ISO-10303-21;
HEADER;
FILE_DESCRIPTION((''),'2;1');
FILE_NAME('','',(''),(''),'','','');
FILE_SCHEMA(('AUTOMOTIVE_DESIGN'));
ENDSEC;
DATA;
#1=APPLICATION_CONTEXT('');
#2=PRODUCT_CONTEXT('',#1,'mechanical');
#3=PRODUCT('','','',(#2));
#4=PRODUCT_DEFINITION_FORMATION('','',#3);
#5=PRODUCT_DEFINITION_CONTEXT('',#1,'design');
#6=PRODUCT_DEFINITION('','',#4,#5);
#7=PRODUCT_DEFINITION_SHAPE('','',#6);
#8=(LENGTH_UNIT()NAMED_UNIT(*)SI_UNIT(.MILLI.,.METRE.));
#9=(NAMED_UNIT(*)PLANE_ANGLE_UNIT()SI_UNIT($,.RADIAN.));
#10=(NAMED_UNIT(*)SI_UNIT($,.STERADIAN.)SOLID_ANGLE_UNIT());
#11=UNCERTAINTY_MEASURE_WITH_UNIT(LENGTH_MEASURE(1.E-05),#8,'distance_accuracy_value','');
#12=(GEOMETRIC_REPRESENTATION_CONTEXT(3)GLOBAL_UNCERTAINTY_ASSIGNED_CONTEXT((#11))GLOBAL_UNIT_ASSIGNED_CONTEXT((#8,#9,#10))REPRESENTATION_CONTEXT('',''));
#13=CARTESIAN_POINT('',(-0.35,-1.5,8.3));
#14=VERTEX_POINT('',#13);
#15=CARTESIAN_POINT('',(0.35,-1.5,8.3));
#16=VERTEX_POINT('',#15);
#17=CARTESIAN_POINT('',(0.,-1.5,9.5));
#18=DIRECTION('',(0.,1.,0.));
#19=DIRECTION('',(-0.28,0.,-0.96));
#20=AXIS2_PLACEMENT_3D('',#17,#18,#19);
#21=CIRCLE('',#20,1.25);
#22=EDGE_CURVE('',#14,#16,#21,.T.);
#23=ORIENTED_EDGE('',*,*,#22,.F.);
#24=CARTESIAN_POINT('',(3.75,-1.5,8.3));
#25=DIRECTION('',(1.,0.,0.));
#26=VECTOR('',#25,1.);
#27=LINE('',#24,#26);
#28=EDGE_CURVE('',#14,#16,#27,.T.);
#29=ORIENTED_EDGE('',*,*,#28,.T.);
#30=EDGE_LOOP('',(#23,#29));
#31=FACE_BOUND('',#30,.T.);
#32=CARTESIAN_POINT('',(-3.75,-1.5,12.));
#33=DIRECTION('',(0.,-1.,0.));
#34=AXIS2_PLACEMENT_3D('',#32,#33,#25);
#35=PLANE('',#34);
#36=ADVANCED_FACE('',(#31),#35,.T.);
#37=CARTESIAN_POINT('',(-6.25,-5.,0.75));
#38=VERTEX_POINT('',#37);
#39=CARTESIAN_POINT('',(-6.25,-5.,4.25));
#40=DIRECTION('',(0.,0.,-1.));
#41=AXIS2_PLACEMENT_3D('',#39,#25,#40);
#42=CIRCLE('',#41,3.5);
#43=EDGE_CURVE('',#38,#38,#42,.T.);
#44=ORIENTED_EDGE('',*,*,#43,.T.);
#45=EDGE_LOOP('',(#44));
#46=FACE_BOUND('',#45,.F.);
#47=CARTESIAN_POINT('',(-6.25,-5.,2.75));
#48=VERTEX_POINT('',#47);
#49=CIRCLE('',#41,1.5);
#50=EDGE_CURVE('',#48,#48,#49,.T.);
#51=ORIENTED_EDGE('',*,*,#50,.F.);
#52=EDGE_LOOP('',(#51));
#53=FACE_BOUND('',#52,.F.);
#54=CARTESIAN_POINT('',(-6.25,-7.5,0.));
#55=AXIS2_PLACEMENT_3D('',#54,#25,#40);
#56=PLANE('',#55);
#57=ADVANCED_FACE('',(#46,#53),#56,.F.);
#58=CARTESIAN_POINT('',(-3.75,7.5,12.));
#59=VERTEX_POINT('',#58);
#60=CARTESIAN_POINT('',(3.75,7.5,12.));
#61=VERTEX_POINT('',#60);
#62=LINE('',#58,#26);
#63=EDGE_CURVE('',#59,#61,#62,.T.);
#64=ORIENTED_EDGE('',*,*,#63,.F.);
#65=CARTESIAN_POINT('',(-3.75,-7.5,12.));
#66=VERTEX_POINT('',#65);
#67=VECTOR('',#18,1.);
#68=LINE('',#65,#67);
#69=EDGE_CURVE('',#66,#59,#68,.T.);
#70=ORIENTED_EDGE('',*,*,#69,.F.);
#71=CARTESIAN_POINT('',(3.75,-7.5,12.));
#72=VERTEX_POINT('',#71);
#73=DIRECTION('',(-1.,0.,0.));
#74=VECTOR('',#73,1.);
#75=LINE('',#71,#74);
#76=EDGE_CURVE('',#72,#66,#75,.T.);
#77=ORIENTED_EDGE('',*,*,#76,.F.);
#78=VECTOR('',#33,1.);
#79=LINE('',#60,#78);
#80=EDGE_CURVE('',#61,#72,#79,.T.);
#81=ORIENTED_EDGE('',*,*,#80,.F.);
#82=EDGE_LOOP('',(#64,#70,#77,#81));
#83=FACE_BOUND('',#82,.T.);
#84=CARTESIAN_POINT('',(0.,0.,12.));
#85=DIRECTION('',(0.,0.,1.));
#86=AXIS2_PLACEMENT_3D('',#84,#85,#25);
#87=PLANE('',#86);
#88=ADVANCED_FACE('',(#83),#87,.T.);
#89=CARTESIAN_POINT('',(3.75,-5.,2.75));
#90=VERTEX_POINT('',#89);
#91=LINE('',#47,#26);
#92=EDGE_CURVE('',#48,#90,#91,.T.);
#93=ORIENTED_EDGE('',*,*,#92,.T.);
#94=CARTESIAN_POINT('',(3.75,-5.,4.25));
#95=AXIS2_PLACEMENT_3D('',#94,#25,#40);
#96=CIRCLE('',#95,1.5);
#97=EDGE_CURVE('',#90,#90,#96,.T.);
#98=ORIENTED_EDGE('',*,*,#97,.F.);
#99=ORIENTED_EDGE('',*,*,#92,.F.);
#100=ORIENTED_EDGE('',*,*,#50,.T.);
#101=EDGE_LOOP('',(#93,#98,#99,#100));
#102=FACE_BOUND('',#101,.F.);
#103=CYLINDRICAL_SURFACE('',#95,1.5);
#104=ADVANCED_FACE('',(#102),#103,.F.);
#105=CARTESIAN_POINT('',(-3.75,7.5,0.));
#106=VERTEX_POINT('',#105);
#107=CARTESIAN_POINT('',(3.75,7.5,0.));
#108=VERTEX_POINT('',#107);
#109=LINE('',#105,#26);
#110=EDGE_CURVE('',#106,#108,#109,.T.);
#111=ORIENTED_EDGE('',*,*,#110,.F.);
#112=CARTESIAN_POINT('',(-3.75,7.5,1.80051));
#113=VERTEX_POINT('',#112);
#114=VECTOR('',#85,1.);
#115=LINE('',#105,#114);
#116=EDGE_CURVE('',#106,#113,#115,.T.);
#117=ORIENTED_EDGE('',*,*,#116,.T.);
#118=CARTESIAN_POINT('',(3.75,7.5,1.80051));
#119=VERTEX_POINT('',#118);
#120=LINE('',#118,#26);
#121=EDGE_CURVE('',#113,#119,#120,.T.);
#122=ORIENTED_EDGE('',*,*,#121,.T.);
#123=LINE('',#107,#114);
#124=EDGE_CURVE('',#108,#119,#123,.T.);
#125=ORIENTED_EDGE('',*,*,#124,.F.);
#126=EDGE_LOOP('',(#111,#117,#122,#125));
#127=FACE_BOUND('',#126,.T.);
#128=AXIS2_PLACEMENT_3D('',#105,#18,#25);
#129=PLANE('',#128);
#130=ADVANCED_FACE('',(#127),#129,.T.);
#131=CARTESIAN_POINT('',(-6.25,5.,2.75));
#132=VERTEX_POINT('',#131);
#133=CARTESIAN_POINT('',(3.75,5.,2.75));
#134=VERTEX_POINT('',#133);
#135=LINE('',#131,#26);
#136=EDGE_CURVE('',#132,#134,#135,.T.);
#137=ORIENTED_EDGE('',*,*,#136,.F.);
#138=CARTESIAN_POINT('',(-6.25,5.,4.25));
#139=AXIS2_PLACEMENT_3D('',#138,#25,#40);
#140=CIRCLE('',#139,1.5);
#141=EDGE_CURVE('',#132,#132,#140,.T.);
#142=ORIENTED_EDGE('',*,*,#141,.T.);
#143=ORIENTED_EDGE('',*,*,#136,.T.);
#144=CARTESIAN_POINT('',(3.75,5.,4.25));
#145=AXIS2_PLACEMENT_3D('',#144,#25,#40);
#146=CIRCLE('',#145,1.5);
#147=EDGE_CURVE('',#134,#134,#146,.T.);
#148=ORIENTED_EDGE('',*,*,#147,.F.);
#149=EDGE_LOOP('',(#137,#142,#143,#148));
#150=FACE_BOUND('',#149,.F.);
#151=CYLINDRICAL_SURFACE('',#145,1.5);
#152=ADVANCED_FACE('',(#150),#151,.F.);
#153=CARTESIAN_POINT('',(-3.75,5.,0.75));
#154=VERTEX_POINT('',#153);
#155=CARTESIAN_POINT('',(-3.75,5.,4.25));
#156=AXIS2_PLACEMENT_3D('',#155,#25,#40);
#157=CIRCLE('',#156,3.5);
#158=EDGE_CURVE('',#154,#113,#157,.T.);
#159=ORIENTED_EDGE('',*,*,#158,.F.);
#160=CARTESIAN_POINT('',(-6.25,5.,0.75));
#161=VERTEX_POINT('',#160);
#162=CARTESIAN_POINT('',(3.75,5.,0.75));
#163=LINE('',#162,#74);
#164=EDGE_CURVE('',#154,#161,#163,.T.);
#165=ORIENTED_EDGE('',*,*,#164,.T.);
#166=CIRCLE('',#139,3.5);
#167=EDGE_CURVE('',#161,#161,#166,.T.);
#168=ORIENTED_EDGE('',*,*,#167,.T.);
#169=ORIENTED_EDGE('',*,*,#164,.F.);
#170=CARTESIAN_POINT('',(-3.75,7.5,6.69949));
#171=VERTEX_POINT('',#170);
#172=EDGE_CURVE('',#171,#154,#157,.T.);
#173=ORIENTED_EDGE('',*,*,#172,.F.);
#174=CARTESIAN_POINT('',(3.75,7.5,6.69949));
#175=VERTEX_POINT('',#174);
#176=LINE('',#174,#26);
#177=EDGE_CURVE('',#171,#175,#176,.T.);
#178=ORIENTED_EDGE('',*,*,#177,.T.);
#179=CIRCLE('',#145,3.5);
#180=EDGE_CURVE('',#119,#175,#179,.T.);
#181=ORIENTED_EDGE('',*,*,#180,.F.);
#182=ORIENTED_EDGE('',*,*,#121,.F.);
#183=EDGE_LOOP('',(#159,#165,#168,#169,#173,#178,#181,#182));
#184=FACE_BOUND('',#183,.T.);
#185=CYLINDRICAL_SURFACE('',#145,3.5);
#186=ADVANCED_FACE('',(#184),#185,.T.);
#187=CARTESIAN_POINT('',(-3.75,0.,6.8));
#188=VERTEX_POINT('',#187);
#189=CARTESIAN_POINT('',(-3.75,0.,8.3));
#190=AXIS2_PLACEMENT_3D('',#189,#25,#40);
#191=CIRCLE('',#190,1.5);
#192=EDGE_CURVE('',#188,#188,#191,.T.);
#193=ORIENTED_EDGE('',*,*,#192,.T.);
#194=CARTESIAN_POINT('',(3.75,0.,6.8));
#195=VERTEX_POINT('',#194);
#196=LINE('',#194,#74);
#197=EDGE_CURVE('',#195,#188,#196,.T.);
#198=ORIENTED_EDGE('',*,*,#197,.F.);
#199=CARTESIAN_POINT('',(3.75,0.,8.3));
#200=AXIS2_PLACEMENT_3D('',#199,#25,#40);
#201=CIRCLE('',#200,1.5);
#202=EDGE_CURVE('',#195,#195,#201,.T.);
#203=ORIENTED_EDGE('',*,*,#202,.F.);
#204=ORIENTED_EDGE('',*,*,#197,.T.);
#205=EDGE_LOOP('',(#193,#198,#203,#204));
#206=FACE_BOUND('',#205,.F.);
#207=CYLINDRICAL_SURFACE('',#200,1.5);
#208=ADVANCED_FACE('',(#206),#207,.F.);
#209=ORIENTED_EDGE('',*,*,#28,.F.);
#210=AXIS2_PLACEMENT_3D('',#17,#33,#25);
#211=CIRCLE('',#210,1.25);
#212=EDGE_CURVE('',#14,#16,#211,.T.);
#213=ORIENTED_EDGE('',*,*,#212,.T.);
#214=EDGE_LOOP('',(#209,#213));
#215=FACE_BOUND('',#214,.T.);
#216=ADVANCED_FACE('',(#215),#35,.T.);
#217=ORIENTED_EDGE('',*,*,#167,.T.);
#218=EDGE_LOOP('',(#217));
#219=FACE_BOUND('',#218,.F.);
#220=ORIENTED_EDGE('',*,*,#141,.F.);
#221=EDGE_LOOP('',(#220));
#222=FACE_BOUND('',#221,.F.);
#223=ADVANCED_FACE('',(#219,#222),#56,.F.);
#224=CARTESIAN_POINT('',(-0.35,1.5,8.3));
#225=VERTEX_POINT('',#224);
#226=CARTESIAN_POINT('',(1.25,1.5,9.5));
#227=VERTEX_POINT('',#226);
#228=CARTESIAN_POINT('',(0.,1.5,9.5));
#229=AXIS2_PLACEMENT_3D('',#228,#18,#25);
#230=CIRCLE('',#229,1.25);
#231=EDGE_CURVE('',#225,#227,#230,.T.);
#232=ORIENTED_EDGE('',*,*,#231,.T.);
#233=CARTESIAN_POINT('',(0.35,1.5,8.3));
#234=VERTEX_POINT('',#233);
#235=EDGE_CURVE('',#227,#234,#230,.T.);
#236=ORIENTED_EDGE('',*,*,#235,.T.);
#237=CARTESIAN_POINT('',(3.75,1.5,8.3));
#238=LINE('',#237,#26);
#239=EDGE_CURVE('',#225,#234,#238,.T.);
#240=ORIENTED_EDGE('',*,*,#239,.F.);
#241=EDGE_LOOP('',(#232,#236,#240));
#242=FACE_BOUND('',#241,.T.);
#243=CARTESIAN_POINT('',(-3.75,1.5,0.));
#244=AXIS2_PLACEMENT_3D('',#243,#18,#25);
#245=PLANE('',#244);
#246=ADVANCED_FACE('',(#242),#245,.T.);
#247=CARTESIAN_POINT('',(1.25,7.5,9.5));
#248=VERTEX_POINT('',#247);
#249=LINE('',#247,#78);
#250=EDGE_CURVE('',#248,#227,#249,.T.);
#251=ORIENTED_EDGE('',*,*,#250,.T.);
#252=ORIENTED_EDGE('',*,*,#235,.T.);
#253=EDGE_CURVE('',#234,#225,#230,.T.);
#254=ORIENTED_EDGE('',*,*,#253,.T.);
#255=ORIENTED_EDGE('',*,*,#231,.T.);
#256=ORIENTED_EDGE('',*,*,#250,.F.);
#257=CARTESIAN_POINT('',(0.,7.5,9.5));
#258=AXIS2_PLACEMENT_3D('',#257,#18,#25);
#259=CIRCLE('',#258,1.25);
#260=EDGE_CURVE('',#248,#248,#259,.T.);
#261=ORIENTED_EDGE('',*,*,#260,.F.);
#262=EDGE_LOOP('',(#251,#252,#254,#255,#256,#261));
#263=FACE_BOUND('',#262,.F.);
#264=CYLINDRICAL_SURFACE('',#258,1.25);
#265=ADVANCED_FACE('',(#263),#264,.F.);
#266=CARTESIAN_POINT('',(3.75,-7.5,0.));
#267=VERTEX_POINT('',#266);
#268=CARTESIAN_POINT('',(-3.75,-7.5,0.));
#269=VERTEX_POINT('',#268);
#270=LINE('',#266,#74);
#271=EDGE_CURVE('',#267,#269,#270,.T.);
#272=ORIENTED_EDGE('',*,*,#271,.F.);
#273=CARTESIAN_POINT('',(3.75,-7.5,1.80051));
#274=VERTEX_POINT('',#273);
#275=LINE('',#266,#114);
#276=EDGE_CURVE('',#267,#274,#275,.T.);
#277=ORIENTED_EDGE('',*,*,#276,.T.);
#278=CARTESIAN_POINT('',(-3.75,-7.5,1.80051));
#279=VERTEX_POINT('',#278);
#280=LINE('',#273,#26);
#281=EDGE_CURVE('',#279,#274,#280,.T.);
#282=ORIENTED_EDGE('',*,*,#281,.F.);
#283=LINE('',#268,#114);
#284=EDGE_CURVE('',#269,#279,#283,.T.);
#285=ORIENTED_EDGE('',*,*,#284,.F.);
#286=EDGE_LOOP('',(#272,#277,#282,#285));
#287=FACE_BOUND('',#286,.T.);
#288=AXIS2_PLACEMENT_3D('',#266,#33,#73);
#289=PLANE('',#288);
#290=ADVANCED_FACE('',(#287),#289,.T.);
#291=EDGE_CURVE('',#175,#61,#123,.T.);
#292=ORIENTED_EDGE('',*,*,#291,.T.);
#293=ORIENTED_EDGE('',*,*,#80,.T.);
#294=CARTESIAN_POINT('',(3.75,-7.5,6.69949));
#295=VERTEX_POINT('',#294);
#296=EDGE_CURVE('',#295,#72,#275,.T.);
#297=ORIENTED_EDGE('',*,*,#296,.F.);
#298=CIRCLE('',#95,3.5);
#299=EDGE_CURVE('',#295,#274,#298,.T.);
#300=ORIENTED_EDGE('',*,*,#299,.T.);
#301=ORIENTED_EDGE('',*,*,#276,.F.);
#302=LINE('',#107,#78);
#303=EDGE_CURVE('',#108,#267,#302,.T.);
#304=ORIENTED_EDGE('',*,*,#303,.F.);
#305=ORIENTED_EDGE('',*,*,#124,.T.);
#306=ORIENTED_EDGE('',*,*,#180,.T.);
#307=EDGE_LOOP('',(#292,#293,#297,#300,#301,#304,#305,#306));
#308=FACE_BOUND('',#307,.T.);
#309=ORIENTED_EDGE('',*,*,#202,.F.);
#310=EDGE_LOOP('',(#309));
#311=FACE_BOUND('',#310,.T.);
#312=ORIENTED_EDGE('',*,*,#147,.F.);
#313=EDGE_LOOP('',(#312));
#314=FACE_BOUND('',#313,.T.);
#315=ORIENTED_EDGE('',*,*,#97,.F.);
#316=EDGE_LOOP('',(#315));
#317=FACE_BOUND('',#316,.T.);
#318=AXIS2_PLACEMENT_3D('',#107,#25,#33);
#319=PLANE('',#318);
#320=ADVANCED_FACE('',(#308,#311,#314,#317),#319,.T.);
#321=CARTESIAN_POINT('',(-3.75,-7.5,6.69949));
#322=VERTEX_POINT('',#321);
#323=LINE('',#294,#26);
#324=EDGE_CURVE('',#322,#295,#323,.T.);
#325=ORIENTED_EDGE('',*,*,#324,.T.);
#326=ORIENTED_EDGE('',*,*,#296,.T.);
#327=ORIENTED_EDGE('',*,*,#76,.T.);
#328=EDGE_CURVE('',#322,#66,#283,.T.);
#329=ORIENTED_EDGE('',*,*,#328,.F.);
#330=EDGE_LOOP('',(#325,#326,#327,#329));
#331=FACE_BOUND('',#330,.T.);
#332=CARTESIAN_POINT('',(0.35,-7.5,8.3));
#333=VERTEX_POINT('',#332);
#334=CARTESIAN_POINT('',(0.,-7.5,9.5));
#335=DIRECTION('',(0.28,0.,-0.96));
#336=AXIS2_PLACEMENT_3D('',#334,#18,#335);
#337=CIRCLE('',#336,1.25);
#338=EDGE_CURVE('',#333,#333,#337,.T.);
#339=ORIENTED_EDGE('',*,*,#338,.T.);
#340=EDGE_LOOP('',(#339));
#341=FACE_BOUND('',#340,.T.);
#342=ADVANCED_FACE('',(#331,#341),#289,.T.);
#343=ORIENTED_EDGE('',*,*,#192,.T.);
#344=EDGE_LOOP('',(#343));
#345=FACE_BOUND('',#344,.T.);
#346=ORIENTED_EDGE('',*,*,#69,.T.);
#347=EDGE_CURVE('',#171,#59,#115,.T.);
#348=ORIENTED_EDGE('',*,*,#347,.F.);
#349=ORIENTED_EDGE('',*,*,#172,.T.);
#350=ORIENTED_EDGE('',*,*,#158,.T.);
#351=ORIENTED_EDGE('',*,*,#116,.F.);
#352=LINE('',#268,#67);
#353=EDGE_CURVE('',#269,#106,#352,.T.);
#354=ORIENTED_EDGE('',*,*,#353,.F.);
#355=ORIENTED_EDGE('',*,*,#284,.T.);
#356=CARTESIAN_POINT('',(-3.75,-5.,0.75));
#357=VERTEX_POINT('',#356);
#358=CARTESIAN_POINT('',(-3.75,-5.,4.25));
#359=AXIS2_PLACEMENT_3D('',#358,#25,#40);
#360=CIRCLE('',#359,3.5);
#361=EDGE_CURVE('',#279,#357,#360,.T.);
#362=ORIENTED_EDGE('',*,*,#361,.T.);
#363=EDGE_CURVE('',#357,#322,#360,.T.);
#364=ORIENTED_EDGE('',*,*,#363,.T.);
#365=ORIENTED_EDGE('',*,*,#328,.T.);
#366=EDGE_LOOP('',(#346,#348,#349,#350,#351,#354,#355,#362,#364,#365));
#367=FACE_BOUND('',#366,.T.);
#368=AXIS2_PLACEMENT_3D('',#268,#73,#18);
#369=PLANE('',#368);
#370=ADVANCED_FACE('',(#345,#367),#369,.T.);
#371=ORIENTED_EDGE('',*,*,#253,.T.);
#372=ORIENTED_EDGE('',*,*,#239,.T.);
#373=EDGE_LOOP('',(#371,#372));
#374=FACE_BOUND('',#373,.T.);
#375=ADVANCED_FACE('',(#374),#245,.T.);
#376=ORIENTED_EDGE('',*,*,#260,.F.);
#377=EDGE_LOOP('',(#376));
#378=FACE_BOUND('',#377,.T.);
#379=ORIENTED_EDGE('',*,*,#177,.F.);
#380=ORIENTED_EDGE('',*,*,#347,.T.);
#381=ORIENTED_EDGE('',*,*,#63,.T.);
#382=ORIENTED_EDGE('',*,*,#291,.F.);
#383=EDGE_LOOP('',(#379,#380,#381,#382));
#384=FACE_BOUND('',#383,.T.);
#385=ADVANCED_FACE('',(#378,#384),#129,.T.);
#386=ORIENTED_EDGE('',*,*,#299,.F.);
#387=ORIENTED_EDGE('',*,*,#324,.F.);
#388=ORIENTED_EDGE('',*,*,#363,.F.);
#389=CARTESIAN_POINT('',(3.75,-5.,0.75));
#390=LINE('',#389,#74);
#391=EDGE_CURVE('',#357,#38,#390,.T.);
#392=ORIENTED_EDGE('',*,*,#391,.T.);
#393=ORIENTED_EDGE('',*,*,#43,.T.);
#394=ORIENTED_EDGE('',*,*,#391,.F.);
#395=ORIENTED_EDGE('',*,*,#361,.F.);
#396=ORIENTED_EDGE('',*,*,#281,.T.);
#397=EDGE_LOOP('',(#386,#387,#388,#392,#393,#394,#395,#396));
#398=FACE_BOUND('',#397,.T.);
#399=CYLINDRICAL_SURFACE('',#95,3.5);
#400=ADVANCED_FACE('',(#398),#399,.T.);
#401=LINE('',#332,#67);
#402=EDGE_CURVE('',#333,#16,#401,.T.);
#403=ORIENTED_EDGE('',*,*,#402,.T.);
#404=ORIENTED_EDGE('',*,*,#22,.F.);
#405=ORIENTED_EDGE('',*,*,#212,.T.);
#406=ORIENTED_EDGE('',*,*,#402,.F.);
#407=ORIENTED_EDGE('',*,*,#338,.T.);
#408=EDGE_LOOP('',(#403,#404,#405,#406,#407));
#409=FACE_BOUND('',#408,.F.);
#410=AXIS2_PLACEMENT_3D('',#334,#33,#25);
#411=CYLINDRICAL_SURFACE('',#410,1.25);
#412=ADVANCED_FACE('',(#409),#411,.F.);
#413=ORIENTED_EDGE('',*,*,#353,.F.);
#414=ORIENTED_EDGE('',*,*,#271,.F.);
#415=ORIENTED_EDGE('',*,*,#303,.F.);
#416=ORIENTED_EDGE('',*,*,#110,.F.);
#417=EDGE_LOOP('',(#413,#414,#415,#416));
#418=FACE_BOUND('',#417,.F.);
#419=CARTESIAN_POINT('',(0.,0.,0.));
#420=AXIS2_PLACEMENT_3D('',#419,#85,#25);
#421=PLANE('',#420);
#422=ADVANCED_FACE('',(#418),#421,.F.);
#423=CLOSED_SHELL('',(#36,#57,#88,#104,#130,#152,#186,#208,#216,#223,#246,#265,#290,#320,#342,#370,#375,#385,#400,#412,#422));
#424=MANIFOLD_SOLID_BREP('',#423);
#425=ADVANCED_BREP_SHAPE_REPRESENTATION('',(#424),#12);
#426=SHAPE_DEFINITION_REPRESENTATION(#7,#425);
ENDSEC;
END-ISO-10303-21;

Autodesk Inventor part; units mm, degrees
ref_plane "YZ Plane" through (0, 0, 0) normal (1, 0, 0) x (0, 1, 0)
ref_plane "XZ Plane" through (0, 0, 0) normal (0, 1, 0) x (-1, 0, 0)
ref_plane "XY Plane" through (0, 0, 0) normal (0, 0, 1) x (1, 0, 0)
sketch "スケッチ1" plane through (0, 0, 0) normal (1, 0, 0) x (0, 1, 0)
  point P0 (0, 0)
sketch "スケッチ2" plane through (0, 0, 0) normal (0, 0, 1) x (1, 0, 0)
  line L0 (-3.75, 7.5) -> (3.75, 7.5)
  line L1 (3.75, 7.5) -> (3.75, -7.5)
  line L2 (3.75, -7.5) -> (-3.75, -7.5)
  line L3 (-3.75, -7.5) -> (-3.75, 7.5)
  line L4 (-3.75, 7.5) -> (3.75, -7.5) construction
  line L5 (3.75, 7.5) -> (-3.75, -7.5) construction
  point P0 (0, 0)
  dimension "d0" = 7.5
  dimension "d1" = 15
extrude "押し出し1" add sketch "スケッチ2" along normal blind 12
sketch "スケッチ3" plane through (-3.75, 7.5, 0) normal (0, 1, 0) x (1, 0, 0)
  circle A0 centre (3.75, -9.5) radius 1.25
  point P0 (3.75, 0)
  dimension "d4" = 2.5
extrude "押し出し2" cut sketch "スケッチ3" against normal blind 6
sketch "スケッチ4" plane through (3.75, -7.5, 0) normal (1, 0, 0) x (0, 0, -1)
  circle A0 centre (-8.3, 7.5) radius 1.5
  point P0 (0, 7.5)
  dimension "d7" = 3
extrude "押し出し3" cut sketch "スケッチ4" against normal blind 20
sketch "スケッチ5" plane through (3.75, -7.5, 0) normal (1, 0, 0) x (0, 0, -1)
  circle A0 centre (-4.25, 2.5) radius 1.5
  circle A1 centre (-4.25, 12.5) radius 1.5
  point P0 (0, 7.5)
  dimension "d10" = 3
  dimension "d11" = 3
extrude "押し出し4" cut sketch "スケッチ5" against normal blind 20
sketch "スケッチ6" plane through (3.75, -7.5, 0) normal (1, 0, 0) x (0, 0, -1)
  circle A0 centre (-4.25, 2.5) radius 1.5 projected
  circle A1 centre (-4.25, 2.5) radius 3.5
  circle A2 centre (-4.25, 12.5) radius 1.5 projected
  circle A3 centre (-4.25, 12.5) radius 3.5
  point P0 (0, 7.5)
  dimension "d14" = 7
  dimension "d15" = 7
extrude "押し出し5" add sketch "スケッチ6" against normal blind 10
sketch "スケッチ7" plane through (-3.75, -7.5, 12) normal (0, -1, 0) x (1, 0, 0)
  arc A0 (4.1, -3.7) -> (3.4, -3.7) centre (3.75, -2.5) ccw projected
  circle A1 centre (3.75, -2.5) radius 1.25
  point P0 (3.75, -12)
extrude "押し出し6" cut sketch "スケッチ7" against normal blind 6
thread "ねじ1" size "M2.5x0.45" class "6H" standard "ANSI Metric M Profile" full length
thread "ねじ2" size "M2.5x0.45" class "6H" standard "ANSI Metric M Profile" full length
properties part number "moving_part" material "アルミニウム"
